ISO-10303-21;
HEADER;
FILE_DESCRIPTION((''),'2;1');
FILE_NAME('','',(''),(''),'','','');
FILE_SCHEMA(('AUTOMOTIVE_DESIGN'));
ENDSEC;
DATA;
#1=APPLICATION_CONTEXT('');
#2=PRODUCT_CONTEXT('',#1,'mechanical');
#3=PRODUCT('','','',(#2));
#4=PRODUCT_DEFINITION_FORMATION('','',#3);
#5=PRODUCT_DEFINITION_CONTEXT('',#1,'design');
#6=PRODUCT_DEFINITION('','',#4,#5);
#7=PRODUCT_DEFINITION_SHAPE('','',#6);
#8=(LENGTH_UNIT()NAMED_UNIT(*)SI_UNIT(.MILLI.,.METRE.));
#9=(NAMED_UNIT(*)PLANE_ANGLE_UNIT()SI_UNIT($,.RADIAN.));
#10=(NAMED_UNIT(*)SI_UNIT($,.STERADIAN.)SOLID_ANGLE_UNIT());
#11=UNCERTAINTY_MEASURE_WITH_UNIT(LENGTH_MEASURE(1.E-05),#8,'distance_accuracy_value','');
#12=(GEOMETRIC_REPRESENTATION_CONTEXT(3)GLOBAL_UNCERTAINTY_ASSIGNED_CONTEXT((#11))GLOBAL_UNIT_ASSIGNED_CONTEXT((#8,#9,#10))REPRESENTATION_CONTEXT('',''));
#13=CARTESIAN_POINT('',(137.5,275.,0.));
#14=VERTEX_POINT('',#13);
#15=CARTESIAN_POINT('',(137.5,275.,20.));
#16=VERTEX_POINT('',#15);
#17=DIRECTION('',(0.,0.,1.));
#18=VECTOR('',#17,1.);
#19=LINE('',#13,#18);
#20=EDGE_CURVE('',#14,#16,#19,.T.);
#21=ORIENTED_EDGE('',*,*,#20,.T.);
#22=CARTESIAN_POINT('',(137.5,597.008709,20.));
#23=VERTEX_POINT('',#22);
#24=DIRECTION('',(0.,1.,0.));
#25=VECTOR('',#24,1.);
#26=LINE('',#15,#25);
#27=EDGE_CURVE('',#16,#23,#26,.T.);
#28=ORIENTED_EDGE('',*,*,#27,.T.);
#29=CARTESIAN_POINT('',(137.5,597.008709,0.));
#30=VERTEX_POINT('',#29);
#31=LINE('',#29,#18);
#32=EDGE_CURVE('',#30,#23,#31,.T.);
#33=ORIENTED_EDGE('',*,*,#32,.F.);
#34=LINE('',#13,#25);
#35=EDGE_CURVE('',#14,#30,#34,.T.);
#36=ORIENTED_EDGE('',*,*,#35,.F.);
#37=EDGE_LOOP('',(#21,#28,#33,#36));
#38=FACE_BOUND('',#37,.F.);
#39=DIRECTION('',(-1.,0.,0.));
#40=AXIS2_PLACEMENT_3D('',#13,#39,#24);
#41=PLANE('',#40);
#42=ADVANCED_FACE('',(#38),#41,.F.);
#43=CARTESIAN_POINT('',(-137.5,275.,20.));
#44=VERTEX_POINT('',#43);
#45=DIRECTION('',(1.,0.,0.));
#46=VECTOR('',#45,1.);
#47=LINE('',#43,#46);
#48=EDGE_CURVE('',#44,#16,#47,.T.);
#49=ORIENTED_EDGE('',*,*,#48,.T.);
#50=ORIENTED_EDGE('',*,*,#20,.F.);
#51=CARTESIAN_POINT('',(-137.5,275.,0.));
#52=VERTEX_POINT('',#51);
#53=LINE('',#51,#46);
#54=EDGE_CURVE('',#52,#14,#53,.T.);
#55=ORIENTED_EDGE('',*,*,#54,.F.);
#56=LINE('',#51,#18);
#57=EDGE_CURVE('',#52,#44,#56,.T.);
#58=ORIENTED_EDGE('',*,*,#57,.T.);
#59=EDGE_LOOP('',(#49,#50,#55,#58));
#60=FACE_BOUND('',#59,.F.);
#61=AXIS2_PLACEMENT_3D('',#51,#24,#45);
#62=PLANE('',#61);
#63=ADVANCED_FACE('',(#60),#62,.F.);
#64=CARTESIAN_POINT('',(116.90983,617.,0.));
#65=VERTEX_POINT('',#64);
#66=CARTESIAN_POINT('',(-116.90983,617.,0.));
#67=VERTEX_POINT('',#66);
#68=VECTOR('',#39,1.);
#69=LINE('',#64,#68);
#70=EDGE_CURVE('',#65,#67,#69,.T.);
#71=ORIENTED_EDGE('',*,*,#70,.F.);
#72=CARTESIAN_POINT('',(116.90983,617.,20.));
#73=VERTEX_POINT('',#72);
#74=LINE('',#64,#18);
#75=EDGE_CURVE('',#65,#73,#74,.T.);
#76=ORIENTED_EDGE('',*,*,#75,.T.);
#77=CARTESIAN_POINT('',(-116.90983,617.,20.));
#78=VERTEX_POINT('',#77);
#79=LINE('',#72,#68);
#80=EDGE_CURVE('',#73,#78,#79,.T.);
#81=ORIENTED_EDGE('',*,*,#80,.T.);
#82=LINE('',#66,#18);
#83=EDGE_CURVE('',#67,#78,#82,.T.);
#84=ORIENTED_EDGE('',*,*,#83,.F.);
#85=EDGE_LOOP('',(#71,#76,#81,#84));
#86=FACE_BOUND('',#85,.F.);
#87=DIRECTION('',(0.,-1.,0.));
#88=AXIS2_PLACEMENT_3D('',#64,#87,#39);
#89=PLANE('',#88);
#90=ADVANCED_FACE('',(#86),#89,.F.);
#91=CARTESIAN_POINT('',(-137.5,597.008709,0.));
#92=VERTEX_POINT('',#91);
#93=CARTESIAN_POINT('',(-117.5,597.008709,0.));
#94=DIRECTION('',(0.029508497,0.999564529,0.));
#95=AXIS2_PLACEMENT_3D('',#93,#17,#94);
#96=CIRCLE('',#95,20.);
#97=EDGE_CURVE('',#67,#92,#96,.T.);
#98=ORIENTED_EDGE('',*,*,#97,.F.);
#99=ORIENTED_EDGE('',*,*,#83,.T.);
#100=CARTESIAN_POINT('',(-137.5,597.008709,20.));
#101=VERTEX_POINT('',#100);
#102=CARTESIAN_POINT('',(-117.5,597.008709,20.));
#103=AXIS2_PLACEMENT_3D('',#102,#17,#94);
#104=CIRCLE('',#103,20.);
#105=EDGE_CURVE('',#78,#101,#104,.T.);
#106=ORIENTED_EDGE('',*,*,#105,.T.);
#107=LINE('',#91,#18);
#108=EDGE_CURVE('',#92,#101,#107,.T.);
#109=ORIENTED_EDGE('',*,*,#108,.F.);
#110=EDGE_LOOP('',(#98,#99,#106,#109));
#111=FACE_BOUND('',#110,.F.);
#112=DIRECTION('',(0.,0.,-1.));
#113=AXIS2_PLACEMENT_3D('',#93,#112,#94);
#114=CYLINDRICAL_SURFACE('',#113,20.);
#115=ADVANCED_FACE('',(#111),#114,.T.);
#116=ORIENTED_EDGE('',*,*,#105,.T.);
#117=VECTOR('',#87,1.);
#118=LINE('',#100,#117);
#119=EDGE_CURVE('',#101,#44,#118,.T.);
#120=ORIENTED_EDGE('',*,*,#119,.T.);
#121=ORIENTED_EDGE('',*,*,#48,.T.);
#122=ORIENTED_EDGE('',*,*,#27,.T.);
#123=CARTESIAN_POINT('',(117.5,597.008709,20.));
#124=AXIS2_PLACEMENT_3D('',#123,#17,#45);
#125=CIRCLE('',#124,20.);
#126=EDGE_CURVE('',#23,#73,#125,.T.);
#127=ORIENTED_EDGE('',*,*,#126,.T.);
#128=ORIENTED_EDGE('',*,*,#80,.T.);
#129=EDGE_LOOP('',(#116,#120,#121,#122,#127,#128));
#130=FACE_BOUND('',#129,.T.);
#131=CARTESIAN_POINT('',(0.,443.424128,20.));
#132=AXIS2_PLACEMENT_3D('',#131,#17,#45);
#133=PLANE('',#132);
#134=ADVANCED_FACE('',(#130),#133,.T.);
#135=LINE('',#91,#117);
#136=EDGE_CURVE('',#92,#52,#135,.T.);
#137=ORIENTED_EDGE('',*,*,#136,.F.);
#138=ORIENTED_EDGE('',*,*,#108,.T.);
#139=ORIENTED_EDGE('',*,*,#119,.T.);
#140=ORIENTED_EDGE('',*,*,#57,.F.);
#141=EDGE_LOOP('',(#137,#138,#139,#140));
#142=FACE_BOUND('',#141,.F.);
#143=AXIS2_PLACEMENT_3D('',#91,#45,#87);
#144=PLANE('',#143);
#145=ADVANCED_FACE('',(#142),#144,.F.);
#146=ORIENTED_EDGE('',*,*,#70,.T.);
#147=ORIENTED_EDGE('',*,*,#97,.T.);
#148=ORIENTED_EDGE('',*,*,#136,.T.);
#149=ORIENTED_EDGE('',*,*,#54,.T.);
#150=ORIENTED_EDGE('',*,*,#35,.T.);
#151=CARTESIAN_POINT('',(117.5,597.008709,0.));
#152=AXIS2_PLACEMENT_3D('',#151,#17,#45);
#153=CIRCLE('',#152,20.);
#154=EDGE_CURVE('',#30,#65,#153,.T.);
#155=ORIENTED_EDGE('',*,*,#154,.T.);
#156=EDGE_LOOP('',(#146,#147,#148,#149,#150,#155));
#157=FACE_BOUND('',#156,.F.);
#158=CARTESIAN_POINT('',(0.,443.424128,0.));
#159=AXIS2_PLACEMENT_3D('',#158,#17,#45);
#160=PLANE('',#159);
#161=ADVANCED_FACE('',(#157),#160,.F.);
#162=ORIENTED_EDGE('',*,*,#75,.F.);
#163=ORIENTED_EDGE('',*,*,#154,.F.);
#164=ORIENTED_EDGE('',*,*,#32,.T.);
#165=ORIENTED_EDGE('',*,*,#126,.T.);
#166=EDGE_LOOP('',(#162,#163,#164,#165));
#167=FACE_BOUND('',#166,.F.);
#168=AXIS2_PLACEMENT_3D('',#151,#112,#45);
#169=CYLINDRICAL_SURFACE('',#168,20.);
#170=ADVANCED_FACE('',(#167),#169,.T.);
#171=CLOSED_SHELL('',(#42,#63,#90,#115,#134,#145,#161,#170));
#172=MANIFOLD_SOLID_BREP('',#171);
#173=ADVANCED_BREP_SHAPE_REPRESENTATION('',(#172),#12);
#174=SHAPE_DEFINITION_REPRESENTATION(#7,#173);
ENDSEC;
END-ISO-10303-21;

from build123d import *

# Parameters (mm, degrees)
F3_DEPTH = 20


with BuildPart() as f3:
    # F2 (on Top) → F3 (new body)
    with BuildSketch(Plane.XY):
        with BuildLine():
            ThreePointArc((137.5, 597.0087094104), (131.4319166148, 611.3579846338), (116.9098300562, 617))
            Line((116.9098300562, 617), (-116.9098300563, 617))
            ThreePointArc((-116.9098300563, 617), (-131.4319166148, 611.3579846338), (-137.5, 597.0087094104))
            Line((-137.5, 597.0087094104), (-137.5, 457))
            Line((-137.5, 457), (-137.5, 275.0000000292))
            Line((-137.5, 275.0000000292), (137.5, 275.0000000292))
            Line((137.5, 275.0000000292), (137.5, 457))
            Line((137.5, 457), (137.5, 597.0087094104))
        make_face()
    extrude(amount=F3_DEPTH)


solid = f3.part
